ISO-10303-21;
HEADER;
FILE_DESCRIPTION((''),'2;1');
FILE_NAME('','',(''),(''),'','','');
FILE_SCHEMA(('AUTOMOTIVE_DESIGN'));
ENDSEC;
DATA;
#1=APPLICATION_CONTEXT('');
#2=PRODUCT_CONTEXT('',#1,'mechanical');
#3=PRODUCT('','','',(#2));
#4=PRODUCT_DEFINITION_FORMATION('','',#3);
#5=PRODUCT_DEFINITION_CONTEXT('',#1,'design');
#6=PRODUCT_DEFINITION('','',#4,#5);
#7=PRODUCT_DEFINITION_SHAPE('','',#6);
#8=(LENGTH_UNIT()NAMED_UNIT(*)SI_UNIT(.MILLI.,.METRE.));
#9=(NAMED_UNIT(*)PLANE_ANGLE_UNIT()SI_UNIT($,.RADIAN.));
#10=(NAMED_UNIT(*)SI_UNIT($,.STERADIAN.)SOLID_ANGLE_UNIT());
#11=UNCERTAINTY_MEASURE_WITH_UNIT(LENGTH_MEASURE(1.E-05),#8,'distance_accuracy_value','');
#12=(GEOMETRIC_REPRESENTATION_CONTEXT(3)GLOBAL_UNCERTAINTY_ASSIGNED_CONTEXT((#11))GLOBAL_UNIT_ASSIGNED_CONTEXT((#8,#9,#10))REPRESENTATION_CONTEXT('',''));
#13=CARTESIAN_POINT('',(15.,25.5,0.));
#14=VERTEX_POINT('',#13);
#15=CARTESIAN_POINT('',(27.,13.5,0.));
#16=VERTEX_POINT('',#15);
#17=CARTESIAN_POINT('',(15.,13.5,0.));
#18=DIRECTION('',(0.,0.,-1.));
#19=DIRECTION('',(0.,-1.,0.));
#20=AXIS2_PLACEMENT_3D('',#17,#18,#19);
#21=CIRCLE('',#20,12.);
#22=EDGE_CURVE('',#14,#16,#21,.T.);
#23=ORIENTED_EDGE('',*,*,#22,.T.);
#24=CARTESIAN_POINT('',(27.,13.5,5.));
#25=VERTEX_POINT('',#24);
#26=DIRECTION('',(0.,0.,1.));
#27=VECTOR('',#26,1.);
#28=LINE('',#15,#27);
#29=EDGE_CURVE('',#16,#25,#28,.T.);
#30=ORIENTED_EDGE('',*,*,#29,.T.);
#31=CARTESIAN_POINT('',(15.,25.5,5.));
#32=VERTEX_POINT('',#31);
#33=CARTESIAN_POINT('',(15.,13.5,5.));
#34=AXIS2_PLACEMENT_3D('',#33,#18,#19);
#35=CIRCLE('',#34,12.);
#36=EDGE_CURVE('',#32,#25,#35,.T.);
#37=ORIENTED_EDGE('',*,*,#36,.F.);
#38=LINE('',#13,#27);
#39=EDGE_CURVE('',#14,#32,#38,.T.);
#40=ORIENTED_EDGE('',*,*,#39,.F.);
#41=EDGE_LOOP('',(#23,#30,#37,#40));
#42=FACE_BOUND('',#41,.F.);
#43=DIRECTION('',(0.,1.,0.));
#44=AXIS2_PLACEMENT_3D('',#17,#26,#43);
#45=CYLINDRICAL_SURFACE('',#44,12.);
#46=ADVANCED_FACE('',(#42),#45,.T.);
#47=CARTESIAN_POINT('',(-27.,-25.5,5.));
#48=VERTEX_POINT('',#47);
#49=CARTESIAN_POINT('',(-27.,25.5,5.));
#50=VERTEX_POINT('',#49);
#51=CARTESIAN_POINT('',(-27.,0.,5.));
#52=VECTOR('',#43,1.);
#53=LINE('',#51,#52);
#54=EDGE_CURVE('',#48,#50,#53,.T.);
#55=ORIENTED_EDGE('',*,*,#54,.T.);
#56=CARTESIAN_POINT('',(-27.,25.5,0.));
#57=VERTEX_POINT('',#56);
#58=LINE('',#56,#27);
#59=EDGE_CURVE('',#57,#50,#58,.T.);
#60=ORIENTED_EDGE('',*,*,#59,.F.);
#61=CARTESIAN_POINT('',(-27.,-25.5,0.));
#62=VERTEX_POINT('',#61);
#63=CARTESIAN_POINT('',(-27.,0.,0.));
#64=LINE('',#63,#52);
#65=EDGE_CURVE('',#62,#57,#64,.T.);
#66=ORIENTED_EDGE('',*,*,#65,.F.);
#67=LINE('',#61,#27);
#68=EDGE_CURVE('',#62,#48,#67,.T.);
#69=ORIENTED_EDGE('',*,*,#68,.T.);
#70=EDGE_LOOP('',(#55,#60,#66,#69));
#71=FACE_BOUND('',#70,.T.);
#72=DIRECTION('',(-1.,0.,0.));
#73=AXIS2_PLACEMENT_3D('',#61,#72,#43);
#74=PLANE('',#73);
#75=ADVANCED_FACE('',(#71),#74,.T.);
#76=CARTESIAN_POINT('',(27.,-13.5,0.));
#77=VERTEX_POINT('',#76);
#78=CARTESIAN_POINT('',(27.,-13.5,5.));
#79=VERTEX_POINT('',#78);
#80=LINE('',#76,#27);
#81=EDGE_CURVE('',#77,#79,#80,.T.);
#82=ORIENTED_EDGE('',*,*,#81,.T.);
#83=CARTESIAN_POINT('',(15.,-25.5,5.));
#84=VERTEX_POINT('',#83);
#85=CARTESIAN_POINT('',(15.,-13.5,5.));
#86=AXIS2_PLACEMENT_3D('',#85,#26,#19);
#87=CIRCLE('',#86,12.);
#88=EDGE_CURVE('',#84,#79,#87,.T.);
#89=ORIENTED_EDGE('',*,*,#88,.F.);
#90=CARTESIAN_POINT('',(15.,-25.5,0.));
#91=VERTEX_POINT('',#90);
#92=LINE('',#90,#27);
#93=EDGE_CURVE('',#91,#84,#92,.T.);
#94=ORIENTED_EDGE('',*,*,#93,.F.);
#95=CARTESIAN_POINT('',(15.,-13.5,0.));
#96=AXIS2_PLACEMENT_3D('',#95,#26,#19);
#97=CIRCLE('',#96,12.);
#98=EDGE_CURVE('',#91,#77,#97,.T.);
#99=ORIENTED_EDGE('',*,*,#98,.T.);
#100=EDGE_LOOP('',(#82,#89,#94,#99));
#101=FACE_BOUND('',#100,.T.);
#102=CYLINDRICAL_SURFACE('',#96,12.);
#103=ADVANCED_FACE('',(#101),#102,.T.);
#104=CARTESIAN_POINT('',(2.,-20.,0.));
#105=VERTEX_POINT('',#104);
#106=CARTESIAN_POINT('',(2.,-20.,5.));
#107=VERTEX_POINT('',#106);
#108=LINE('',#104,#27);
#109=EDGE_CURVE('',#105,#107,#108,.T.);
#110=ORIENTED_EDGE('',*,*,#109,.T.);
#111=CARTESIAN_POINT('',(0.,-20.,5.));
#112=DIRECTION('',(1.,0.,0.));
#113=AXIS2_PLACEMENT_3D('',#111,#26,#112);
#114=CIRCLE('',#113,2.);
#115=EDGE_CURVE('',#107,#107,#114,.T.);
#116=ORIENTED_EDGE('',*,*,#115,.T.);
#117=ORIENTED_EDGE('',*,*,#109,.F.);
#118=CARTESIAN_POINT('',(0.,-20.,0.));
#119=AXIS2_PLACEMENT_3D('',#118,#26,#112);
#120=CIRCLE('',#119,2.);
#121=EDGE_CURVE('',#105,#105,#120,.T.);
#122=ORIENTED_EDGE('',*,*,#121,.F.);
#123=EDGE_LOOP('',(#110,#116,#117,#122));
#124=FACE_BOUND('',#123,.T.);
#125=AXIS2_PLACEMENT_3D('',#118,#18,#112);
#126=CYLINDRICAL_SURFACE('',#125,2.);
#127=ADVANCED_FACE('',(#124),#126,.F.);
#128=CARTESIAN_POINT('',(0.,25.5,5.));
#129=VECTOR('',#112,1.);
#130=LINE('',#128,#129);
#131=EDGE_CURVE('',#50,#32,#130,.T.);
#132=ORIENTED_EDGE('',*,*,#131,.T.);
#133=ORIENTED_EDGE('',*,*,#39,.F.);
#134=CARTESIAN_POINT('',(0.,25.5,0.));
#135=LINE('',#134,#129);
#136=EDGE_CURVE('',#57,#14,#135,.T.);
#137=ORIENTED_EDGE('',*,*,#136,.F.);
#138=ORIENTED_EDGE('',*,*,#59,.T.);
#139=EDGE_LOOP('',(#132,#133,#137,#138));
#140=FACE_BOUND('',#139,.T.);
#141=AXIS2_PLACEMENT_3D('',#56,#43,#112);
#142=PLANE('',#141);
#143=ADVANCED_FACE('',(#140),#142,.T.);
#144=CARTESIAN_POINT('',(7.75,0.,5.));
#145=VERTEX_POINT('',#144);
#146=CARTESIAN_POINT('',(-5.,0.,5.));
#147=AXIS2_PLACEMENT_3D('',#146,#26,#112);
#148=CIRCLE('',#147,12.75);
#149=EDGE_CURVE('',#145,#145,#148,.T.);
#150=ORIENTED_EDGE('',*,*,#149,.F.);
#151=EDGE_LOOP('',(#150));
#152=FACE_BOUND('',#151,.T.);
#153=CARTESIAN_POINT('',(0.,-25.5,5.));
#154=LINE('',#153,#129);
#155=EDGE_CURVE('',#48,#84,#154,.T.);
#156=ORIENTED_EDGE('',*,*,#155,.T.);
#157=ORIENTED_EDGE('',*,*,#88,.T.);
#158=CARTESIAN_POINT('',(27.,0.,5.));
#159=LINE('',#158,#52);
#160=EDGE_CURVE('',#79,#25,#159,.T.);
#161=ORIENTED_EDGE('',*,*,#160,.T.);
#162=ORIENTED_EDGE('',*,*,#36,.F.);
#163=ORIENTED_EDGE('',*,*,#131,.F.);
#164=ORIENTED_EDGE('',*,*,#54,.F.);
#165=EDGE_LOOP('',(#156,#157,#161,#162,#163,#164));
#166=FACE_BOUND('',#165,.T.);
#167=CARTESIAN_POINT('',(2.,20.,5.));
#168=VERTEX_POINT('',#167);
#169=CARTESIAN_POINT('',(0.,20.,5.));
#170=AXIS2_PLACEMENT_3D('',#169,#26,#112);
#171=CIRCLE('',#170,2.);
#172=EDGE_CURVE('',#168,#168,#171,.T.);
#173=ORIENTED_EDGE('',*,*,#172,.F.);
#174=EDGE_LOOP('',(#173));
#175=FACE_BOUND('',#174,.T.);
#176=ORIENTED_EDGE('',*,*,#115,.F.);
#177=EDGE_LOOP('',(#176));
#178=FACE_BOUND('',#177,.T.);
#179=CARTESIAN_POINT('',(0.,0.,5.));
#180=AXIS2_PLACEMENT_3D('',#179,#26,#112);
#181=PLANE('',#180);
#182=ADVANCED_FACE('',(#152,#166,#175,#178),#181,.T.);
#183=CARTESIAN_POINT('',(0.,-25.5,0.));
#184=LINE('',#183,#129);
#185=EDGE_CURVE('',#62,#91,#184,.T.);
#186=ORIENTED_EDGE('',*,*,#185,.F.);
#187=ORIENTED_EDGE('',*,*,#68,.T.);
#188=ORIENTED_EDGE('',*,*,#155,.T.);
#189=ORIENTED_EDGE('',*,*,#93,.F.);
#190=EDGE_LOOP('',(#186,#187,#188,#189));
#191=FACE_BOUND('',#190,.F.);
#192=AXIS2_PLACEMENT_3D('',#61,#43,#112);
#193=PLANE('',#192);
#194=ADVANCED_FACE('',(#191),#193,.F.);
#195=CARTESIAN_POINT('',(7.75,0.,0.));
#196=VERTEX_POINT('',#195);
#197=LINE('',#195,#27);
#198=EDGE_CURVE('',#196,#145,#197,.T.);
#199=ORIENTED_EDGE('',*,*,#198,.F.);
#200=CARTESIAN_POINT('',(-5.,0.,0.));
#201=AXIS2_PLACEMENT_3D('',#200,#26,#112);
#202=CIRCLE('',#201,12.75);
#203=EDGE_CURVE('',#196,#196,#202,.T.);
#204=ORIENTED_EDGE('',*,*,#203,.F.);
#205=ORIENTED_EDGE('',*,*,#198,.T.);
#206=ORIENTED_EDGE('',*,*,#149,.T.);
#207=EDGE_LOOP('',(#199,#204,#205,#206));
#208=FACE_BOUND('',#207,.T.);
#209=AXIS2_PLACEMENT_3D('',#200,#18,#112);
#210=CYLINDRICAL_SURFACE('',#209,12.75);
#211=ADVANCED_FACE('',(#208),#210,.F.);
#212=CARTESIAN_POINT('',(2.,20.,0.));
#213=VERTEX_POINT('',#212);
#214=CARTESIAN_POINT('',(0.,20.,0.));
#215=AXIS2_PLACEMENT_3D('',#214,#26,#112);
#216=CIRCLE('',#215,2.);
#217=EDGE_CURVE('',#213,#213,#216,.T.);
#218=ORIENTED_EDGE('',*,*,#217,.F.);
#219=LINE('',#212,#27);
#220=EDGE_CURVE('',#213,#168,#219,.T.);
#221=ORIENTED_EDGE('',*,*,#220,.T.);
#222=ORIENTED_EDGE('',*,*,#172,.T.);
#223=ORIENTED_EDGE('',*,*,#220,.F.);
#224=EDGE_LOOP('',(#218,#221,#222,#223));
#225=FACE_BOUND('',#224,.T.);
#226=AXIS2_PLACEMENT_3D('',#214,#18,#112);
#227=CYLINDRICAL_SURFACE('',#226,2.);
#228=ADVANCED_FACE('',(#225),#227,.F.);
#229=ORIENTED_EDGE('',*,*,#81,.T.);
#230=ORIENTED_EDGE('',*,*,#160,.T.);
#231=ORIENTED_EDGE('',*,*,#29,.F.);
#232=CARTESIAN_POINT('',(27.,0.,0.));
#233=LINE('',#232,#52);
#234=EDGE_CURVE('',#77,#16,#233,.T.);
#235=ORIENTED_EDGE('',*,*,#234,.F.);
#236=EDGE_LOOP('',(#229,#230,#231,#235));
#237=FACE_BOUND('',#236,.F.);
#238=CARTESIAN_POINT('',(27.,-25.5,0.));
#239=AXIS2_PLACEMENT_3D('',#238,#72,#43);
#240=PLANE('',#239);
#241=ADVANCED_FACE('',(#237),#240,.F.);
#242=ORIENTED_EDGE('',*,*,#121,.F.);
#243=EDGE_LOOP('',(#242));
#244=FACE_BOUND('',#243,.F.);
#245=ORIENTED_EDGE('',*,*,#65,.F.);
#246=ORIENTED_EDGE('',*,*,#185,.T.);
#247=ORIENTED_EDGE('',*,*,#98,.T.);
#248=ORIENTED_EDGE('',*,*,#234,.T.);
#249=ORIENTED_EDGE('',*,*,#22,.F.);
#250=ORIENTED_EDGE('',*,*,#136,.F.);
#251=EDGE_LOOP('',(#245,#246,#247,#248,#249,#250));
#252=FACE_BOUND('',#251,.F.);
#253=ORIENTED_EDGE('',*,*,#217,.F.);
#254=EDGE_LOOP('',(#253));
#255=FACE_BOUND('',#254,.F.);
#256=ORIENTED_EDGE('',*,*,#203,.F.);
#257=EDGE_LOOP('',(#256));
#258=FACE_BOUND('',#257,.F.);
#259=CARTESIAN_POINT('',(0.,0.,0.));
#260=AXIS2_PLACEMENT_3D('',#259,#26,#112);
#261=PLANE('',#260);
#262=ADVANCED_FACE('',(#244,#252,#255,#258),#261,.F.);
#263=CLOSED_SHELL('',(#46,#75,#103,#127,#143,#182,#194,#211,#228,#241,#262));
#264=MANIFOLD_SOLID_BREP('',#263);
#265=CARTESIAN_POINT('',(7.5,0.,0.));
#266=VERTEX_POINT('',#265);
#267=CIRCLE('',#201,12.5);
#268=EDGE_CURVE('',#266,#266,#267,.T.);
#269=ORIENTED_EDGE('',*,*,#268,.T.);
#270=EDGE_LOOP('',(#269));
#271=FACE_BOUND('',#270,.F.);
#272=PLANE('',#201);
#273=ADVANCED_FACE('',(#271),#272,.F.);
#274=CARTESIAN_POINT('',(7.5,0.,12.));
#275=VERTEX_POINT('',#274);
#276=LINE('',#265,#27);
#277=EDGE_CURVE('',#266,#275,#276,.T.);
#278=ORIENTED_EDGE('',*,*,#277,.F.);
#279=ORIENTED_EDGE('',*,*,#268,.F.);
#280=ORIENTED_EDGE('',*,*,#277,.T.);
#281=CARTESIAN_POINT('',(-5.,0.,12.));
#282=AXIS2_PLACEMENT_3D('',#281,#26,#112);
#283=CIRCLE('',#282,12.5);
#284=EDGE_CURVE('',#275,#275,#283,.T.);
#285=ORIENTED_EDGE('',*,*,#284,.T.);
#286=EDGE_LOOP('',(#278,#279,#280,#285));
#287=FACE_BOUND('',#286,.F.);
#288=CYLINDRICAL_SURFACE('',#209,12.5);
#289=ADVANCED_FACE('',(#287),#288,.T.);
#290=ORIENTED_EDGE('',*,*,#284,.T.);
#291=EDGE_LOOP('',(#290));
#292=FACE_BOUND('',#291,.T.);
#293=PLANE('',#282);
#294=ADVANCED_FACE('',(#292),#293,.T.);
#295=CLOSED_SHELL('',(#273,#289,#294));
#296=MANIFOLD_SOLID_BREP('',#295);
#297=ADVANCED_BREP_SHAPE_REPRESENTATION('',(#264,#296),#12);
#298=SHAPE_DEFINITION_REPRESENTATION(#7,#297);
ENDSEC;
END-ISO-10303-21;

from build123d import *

# Parameters (mm, degrees)
F0_W     = 54
F0_H     = 51
F0_R     = 2
F0_R_2   = 12.75
F1_DEPTH = 5
F2_R     = 12
F3_R     = 12.5
F4_DEPTH = 12


with BuildPart() as f1:
    # F0 (on Top) → F1 (new body)
    with BuildSketch(Plane.XY):
        Rectangle(F0_W, F0_H)
        with Locations((0, -20)):
            Circle(F0_R, mode=Mode.SUBTRACT)
        with Locations((-5, 0)):
            Circle(F0_R_2, mode=Mode.SUBTRACT)
        with Locations((0, 20)):
            Circle(F0_R, mode=Mode.SUBTRACT)
    extrude(amount=F1_DEPTH)

    # F2
    f2_edges = [f1.edges().sort_by_distance(p)[0] for p in [
        (27, -25.5, 2.5),
        (27, 25.5, 2.5),
    ]]
    fillet(f2_edges, radius=F2_R)


with BuildPart() as f4:
    # F3 (on Top) → F4 (new body)
    with BuildSketch(Plane.XY):
        with Locations((-5, 0)):
            Circle(F3_R)
    extrude(amount=F4_DEPTH)


solid = Compound([f1.part, f4.part])
